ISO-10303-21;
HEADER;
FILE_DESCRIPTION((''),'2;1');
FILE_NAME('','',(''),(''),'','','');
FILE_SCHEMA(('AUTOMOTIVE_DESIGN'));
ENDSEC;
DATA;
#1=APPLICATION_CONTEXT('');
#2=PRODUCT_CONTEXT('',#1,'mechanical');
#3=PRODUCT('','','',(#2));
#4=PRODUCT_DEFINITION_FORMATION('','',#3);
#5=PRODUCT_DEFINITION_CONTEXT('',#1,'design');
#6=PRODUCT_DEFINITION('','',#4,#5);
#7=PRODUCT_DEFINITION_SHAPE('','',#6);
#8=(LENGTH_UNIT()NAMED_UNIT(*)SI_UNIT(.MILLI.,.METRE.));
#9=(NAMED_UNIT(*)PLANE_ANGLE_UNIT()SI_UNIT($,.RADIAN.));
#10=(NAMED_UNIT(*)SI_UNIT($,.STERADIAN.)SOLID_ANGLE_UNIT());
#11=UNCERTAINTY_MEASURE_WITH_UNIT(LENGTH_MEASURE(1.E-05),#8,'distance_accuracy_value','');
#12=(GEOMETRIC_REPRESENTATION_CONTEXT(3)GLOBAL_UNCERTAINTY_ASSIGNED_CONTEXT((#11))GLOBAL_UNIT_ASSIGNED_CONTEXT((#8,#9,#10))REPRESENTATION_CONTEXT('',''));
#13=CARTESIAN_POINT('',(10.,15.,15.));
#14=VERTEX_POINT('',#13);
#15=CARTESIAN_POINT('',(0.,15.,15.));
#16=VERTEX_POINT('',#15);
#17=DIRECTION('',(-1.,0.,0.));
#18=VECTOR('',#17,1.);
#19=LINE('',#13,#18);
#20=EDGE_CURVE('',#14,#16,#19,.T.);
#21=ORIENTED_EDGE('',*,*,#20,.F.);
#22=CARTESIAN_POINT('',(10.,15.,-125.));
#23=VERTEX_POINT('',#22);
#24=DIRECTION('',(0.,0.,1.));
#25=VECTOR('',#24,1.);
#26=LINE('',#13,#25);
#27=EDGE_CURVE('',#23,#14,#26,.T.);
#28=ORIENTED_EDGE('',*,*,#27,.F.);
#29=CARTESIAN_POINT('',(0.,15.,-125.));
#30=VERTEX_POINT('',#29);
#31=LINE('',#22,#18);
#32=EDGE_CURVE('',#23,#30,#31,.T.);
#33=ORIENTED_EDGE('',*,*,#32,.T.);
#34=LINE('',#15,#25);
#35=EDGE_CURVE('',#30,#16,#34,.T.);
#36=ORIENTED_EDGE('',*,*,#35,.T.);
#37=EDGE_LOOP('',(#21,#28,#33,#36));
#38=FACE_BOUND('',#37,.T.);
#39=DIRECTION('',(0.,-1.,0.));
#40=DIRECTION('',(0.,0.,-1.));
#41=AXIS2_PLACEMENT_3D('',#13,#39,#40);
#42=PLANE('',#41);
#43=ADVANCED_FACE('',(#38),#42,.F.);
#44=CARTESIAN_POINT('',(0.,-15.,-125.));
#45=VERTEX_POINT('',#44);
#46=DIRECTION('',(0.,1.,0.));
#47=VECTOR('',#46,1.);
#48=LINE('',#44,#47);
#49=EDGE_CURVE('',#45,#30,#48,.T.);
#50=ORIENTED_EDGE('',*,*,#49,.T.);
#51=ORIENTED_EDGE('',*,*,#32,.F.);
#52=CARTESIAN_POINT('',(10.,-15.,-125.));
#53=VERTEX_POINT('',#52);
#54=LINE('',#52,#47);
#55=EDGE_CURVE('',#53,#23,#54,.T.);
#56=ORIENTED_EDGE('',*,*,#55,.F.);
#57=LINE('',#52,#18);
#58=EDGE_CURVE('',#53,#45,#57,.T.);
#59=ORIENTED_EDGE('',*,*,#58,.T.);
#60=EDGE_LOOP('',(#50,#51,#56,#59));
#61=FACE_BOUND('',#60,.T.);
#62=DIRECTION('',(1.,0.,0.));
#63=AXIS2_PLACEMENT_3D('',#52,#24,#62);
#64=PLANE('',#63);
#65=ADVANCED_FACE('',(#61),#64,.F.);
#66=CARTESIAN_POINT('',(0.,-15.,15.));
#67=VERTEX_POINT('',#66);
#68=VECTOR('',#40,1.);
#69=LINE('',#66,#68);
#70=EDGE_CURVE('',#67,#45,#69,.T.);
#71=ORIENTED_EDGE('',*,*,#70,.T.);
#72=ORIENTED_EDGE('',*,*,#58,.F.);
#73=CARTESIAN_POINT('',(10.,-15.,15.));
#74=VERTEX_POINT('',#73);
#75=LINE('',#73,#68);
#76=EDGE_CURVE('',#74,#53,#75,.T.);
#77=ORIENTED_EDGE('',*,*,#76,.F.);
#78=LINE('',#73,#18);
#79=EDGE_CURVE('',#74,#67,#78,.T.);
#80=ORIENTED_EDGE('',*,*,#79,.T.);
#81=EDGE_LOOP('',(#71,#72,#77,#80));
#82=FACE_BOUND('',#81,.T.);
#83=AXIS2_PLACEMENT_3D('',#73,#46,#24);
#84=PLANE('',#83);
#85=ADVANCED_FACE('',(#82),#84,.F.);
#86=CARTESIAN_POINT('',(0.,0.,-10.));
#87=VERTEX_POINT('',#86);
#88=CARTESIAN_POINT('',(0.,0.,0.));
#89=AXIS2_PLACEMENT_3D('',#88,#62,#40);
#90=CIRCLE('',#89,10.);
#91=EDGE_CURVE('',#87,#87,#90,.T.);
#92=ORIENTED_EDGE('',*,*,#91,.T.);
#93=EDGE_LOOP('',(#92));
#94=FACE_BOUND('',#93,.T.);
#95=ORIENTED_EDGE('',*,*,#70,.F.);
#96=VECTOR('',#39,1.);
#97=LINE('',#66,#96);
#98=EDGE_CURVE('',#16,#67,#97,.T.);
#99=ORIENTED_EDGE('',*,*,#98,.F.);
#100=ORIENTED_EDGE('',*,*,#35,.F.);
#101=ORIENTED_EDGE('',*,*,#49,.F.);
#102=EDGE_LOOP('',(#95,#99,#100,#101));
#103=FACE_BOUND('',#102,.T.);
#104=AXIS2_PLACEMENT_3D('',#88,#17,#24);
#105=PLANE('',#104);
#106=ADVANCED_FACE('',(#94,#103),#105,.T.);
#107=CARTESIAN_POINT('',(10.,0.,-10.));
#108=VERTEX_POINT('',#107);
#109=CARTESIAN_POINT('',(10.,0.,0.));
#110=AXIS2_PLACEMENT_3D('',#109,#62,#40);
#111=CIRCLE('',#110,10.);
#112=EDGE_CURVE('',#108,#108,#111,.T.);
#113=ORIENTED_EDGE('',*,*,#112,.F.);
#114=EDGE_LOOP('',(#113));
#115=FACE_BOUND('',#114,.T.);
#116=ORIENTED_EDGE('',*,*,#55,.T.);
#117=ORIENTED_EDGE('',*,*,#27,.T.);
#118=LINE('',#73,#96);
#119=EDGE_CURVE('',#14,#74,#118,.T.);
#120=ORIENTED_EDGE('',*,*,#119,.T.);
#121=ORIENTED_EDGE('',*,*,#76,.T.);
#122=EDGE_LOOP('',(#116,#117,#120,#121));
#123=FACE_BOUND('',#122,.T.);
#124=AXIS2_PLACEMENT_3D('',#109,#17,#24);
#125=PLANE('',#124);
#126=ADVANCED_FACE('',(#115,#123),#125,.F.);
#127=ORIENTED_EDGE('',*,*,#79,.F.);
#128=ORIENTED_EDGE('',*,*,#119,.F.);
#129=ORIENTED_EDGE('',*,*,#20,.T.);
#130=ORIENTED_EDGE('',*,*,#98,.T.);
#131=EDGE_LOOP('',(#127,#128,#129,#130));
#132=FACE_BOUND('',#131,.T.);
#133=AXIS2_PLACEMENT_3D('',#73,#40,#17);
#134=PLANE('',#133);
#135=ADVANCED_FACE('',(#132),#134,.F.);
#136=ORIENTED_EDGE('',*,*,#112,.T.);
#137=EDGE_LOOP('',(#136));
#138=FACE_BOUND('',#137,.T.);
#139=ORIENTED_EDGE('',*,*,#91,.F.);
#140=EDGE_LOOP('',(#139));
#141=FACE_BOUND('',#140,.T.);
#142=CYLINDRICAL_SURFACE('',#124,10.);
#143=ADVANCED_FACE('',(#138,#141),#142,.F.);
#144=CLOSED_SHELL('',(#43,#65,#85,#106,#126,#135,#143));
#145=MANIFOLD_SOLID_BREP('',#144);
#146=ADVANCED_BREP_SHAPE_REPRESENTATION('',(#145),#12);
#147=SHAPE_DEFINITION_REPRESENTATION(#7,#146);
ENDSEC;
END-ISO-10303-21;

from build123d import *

# Parameters (mm, degrees)
SKETCH1_W           = 140
SKETCH1_H           = 30
SKETCH1_R           = 10
BOSS_EXTRUDE1_DEPTH = 10


with BuildPart() as part:
    # Sketch1 → Boss-Extrude1 (new body)
    with BuildSketch(Plane(origin=(0, 0, 0), x_dir=(0, 0, -1), z_dir=(1, 0, 0))):
        with Locations((55, 0)):
            Rectangle(SKETCH1_W, SKETCH1_H)
        Circle(SKETCH1_R, mode=Mode.SUBTRACT)
    extrude(amount=BOSS_EXTRUDE1_DEPTH)


solid = part.part
